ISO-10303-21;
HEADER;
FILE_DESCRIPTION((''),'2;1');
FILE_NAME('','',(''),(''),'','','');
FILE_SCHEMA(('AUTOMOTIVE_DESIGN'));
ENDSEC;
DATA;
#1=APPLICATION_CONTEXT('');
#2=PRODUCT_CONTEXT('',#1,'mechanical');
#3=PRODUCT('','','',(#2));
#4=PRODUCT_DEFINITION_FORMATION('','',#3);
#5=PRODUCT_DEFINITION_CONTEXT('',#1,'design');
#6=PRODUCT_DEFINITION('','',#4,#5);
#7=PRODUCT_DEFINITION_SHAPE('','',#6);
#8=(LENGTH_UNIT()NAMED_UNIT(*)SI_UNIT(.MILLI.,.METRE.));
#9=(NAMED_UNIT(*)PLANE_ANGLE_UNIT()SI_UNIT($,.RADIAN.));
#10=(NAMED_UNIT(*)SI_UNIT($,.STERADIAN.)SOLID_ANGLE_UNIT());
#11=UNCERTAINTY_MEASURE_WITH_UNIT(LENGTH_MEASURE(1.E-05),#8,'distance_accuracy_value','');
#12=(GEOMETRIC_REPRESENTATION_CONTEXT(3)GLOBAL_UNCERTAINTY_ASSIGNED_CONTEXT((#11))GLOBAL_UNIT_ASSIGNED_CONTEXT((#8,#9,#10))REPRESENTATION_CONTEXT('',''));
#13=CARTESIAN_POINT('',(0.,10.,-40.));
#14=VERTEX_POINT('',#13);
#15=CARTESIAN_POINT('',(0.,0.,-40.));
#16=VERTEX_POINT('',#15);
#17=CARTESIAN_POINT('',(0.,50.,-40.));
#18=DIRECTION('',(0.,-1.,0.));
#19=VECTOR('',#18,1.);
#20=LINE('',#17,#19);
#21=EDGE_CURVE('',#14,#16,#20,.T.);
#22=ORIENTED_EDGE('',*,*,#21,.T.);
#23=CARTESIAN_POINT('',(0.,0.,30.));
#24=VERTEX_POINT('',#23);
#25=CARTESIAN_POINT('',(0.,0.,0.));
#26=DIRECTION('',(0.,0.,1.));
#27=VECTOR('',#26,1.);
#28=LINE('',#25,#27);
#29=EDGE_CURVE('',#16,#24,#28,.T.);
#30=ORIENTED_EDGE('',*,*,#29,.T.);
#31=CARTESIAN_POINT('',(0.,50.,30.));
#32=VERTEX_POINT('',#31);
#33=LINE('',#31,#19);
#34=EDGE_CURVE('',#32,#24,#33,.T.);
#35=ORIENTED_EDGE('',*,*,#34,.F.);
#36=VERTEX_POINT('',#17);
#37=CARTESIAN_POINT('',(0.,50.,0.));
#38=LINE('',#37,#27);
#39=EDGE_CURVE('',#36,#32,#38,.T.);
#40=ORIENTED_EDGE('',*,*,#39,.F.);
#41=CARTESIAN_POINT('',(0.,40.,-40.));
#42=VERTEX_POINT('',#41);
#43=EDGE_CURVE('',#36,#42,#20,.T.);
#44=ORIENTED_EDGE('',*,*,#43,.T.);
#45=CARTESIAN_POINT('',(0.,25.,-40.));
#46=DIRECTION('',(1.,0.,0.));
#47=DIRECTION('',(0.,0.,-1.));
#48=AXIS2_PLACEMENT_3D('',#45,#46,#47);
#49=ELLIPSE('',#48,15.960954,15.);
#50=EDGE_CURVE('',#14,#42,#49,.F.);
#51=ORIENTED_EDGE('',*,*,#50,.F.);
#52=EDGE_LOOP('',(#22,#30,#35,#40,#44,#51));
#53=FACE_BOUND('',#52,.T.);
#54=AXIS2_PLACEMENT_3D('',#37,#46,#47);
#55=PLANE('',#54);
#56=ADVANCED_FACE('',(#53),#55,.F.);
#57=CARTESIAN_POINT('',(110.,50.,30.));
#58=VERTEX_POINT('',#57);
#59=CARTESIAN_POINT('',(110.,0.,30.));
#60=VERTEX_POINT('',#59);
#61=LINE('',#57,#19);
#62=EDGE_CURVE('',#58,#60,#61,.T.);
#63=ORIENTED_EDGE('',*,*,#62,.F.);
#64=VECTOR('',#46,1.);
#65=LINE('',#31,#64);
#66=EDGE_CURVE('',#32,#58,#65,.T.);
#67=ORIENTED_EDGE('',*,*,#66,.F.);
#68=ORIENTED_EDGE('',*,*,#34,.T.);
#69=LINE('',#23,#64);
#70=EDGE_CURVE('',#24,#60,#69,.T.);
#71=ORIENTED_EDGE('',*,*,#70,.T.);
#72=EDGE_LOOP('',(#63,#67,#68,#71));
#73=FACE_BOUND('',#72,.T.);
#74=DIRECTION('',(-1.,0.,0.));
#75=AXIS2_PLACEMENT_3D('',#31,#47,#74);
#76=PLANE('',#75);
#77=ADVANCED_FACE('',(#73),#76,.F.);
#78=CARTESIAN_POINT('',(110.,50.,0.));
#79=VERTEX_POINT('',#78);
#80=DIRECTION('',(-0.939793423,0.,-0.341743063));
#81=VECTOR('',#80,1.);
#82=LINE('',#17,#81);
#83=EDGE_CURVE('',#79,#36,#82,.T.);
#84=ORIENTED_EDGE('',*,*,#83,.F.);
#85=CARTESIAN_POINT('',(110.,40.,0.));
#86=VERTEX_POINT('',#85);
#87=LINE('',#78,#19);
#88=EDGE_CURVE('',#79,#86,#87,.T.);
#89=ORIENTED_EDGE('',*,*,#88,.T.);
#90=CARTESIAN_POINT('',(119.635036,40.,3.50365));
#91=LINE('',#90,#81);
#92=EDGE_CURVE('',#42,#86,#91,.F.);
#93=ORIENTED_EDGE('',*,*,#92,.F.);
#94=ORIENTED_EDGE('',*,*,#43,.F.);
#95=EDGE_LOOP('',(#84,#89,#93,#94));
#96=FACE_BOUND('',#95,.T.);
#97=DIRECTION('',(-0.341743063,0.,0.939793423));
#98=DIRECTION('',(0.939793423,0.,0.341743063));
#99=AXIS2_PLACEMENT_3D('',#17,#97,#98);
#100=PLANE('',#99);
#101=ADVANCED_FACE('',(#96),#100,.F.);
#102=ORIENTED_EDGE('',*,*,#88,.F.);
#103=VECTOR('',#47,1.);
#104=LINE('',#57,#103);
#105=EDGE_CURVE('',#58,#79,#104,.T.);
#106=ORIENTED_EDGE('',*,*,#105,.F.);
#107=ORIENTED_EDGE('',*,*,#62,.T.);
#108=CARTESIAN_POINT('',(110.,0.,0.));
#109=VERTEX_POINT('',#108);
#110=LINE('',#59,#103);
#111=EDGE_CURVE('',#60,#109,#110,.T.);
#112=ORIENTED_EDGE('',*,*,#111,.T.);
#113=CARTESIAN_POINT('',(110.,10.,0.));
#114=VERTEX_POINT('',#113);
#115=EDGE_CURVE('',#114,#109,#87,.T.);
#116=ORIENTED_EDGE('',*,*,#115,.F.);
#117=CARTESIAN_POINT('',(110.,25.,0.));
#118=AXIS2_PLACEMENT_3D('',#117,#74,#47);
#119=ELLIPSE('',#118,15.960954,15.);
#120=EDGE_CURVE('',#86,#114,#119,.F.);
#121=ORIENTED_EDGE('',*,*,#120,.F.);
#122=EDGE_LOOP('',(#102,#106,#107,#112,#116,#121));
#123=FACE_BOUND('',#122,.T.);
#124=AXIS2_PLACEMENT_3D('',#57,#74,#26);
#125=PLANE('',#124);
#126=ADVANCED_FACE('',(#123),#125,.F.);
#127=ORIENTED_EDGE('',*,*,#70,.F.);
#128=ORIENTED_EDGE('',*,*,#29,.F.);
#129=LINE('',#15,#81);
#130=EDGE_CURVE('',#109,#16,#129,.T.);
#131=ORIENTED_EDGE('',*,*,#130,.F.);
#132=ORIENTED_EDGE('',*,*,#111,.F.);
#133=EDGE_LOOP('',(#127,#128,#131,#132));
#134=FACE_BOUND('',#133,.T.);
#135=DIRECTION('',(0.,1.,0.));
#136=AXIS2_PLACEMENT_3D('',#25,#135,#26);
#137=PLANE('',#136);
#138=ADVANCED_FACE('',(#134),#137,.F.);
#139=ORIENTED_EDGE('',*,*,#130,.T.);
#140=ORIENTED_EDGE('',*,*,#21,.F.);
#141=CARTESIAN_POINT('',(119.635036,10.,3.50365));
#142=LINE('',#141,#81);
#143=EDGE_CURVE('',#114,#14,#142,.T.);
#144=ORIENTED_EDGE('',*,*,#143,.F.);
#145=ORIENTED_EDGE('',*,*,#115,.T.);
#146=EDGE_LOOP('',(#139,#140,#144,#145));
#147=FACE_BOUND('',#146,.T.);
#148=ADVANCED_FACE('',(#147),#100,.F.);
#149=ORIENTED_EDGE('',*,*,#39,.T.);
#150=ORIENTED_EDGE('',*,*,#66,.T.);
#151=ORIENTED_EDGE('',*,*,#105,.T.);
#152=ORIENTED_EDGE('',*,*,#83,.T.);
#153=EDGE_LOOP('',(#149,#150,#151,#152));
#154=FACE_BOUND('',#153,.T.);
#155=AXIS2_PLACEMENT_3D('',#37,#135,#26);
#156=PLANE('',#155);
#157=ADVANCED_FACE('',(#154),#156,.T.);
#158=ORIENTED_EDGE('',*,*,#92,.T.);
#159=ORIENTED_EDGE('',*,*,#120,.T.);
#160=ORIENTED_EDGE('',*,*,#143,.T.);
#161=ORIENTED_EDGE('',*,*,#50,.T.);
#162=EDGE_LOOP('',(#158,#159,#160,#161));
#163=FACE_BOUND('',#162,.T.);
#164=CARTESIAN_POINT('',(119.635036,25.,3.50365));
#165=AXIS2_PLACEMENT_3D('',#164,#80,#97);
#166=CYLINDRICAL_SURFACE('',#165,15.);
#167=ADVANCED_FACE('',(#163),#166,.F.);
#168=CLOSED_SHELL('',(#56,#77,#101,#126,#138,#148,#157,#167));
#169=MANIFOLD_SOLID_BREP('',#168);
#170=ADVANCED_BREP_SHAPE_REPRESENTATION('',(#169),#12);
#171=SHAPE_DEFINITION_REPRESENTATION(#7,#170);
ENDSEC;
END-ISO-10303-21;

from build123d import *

# Parameters (mm, degrees)
BOSS_EXTRUDE1_DEPTH = 50
SKETCH3_R           = 15
CUT_EXTRUDE2_DEPTH  = 128.299291


with BuildPart() as part:
    # Sketch2 → Boss-Extrude1 (new body)
    with BuildSketch(Plane(origin=(0, 0, 0), x_dir=(1, 0, 0), z_dir=(0, 1, 0))):
        Polygon((0, 0), (0, 40), (110, 0), (110, -30), (0, -30), align=None)
    extrude(amount=BOSS_EXTRUDE1_DEPTH)

    # Sketch3 → Cut-Extrude2 (cut, through all)
    with BuildSketch(Plane(origin=(-12.846715328, 0, -4.671532847), x_dir=(0.341743063, 0, -0.939793423), z_dir=(0.939793423, 0, 0.341743063))):
        with Locations((37.59173694, 25)):
            Circle(SKETCH3_R)
    extrude(amount=CUT_EXTRUDE2_DEPTH, mode=Mode.SUBTRACT)


solid = part.part
